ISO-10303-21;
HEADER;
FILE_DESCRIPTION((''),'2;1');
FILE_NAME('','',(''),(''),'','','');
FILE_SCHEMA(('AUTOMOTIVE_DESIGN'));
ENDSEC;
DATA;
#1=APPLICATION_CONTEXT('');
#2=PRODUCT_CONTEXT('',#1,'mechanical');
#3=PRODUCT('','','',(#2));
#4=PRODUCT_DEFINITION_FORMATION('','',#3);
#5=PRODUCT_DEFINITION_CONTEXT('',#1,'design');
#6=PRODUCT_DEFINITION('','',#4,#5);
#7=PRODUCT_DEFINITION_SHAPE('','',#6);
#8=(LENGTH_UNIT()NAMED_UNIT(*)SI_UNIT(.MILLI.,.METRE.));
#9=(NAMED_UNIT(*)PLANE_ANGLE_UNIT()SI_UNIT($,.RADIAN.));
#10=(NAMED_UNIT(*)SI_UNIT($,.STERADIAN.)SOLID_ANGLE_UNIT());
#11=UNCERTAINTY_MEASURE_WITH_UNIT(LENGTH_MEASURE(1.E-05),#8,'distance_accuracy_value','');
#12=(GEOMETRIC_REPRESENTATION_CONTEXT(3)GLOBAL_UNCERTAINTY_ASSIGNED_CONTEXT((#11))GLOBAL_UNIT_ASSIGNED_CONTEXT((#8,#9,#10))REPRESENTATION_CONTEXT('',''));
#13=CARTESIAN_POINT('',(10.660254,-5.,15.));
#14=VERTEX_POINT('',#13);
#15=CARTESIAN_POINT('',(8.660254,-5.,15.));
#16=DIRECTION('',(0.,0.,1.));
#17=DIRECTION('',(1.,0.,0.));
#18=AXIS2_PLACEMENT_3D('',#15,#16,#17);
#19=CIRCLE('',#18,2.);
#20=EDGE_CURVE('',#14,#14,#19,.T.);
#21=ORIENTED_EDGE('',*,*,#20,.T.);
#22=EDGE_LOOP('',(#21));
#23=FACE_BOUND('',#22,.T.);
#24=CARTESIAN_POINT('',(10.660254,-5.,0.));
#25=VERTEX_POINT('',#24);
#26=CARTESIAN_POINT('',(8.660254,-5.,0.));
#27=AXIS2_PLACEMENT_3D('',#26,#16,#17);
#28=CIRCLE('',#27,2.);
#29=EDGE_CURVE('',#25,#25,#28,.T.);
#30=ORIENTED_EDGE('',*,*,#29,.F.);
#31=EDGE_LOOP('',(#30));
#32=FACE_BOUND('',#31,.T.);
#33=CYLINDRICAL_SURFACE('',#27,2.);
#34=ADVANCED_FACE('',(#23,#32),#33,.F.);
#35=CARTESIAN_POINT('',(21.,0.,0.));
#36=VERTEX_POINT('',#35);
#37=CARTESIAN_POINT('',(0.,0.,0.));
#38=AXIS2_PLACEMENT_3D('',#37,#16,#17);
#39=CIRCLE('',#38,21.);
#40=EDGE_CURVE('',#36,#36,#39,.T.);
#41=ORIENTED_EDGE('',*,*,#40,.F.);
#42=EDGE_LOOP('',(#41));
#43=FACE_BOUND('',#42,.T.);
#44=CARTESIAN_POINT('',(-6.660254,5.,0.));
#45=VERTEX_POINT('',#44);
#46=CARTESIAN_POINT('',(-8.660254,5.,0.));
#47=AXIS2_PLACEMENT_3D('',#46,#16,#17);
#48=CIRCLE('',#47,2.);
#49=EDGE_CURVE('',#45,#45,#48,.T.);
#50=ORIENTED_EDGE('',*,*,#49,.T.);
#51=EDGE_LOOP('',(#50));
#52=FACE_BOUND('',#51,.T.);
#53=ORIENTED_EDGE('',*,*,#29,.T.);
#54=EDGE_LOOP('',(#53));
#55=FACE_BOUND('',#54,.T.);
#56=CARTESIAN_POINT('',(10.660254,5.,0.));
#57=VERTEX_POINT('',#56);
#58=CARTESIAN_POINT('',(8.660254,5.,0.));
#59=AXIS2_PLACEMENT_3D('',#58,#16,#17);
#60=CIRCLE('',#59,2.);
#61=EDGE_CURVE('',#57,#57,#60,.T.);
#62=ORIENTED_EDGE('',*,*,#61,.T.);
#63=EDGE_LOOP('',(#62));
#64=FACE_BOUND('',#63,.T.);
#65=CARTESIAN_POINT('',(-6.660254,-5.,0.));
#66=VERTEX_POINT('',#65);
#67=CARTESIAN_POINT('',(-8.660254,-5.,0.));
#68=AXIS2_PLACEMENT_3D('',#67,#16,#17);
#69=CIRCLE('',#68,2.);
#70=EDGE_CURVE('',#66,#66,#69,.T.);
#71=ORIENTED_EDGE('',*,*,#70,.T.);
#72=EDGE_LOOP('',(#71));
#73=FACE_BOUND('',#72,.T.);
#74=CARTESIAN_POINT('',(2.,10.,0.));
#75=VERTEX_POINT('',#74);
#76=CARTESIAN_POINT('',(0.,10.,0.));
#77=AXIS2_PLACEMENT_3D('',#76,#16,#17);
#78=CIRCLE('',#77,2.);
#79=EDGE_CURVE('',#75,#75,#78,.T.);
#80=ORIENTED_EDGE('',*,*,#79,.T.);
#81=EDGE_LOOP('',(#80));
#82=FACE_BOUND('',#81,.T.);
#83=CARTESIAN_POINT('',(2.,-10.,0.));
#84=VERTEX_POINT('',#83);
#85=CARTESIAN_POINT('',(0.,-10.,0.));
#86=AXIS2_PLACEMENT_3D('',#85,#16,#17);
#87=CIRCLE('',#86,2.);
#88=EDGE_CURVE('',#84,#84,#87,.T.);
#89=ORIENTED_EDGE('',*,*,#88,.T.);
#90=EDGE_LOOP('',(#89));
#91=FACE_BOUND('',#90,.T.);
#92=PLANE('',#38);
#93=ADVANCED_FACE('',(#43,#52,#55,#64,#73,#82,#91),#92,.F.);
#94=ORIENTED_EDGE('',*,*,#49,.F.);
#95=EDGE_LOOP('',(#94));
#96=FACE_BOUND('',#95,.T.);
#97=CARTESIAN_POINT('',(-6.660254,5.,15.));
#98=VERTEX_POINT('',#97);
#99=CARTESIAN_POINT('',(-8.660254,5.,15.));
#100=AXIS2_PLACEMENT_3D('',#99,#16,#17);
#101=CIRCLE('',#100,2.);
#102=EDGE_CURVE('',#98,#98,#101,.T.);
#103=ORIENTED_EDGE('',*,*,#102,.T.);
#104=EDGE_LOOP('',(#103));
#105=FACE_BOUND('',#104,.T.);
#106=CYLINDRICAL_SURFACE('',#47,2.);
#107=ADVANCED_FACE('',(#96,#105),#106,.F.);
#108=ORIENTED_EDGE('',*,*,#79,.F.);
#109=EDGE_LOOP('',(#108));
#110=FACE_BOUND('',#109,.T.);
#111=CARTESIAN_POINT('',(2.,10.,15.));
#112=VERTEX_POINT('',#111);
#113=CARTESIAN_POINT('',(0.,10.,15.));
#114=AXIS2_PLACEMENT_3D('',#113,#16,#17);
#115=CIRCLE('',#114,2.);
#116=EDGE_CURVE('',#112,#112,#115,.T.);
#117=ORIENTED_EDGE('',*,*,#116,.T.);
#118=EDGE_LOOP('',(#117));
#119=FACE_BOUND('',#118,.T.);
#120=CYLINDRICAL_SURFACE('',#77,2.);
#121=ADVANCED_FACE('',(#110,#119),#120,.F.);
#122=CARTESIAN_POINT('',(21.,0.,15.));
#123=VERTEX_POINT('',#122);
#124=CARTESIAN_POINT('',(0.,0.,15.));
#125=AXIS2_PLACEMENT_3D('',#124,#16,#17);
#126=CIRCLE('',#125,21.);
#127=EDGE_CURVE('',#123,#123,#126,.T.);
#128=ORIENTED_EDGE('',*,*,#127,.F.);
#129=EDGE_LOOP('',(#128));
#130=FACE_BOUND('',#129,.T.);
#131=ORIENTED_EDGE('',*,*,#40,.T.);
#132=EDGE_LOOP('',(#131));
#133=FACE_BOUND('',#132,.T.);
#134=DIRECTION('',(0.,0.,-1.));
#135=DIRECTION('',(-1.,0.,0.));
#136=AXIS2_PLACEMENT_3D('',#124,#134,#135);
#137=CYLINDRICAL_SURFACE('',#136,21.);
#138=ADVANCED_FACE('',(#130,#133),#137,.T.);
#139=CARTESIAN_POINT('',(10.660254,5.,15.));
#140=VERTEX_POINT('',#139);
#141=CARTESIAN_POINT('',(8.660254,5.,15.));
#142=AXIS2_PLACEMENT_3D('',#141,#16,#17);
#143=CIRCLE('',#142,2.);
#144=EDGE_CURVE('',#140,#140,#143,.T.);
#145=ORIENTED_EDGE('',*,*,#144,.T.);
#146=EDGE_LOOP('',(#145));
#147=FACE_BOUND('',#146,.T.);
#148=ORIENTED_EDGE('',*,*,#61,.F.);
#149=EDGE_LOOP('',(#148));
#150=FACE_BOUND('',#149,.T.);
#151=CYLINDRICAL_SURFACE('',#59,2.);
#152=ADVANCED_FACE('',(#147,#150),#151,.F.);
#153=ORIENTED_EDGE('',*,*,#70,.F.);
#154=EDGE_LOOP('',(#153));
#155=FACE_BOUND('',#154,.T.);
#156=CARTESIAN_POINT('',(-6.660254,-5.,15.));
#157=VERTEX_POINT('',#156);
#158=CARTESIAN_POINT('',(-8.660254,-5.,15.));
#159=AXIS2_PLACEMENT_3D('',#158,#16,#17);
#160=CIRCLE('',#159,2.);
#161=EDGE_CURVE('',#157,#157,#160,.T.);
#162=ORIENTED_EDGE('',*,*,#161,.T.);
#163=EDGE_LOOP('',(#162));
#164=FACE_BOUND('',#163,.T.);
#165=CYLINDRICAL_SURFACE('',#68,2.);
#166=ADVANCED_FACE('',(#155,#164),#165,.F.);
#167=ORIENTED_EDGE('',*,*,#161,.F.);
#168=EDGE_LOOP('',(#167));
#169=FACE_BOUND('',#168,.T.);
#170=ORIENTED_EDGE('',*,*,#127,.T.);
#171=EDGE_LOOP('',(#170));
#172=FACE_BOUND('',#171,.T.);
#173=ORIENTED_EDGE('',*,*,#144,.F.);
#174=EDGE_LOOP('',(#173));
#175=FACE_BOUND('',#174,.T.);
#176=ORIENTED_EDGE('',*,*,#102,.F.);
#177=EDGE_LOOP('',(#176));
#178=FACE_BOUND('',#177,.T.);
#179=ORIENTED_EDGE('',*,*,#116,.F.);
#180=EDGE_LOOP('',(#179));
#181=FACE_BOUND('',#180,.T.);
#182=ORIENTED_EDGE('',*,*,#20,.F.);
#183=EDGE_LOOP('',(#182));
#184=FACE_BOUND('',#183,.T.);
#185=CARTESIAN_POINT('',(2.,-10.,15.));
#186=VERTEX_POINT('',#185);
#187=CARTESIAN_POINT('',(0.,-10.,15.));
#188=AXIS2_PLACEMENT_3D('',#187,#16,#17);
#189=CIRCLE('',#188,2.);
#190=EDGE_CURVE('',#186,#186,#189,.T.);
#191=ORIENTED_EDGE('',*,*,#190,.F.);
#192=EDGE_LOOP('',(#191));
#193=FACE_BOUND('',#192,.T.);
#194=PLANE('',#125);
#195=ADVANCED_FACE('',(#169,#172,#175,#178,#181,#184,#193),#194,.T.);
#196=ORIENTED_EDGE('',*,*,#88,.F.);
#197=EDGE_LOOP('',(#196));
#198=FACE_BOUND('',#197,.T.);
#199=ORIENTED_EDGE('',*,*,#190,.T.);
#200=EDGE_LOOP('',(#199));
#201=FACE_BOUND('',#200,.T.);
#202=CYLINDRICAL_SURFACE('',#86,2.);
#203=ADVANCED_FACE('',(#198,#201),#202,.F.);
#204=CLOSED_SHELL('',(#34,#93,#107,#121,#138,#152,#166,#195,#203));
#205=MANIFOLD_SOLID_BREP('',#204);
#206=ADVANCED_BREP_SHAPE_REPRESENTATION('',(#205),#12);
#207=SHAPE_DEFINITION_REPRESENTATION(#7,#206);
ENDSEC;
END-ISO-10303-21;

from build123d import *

# Parameters (mm, degrees)
SKETCH_1_R          = 21
EXTRUDE_1_DEPTH     = 15
SKETCH_2_R          = 2
CUT_EXTRUDE_1_DEPTH = 34.271609519


with BuildPart() as part:
    # 草图1 → 凸台-拉伸1 (new body)
    with BuildSketch(Plane.XY):
        Circle(SKETCH_1_R)
    extrude(amount=EXTRUDE_1_DEPTH)

    # 草图2 → 切除-拉伸1 (cut, through all)
    with BuildSketch(Plane.XY.offset(15)):
        with Locations((0, 10)):
            Circle(SKETCH_2_R)
        with Locations((8.660254038, 5)):
            Circle(SKETCH_2_R)
        with Locations((8.660254038, -5)):
            Circle(SKETCH_2_R)
        with Locations((0, -10)):
            Circle(SKETCH_2_R)
        with Locations((-8.660254038, -5)):
            Circle(SKETCH_2_R)
        with Locations((-8.660254038, 5)):
            Circle(SKETCH_2_R)
    extrude(amount=-CUT_EXTRUDE_1_DEPTH, mode=Mode.SUBTRACT)


solid = part.part
